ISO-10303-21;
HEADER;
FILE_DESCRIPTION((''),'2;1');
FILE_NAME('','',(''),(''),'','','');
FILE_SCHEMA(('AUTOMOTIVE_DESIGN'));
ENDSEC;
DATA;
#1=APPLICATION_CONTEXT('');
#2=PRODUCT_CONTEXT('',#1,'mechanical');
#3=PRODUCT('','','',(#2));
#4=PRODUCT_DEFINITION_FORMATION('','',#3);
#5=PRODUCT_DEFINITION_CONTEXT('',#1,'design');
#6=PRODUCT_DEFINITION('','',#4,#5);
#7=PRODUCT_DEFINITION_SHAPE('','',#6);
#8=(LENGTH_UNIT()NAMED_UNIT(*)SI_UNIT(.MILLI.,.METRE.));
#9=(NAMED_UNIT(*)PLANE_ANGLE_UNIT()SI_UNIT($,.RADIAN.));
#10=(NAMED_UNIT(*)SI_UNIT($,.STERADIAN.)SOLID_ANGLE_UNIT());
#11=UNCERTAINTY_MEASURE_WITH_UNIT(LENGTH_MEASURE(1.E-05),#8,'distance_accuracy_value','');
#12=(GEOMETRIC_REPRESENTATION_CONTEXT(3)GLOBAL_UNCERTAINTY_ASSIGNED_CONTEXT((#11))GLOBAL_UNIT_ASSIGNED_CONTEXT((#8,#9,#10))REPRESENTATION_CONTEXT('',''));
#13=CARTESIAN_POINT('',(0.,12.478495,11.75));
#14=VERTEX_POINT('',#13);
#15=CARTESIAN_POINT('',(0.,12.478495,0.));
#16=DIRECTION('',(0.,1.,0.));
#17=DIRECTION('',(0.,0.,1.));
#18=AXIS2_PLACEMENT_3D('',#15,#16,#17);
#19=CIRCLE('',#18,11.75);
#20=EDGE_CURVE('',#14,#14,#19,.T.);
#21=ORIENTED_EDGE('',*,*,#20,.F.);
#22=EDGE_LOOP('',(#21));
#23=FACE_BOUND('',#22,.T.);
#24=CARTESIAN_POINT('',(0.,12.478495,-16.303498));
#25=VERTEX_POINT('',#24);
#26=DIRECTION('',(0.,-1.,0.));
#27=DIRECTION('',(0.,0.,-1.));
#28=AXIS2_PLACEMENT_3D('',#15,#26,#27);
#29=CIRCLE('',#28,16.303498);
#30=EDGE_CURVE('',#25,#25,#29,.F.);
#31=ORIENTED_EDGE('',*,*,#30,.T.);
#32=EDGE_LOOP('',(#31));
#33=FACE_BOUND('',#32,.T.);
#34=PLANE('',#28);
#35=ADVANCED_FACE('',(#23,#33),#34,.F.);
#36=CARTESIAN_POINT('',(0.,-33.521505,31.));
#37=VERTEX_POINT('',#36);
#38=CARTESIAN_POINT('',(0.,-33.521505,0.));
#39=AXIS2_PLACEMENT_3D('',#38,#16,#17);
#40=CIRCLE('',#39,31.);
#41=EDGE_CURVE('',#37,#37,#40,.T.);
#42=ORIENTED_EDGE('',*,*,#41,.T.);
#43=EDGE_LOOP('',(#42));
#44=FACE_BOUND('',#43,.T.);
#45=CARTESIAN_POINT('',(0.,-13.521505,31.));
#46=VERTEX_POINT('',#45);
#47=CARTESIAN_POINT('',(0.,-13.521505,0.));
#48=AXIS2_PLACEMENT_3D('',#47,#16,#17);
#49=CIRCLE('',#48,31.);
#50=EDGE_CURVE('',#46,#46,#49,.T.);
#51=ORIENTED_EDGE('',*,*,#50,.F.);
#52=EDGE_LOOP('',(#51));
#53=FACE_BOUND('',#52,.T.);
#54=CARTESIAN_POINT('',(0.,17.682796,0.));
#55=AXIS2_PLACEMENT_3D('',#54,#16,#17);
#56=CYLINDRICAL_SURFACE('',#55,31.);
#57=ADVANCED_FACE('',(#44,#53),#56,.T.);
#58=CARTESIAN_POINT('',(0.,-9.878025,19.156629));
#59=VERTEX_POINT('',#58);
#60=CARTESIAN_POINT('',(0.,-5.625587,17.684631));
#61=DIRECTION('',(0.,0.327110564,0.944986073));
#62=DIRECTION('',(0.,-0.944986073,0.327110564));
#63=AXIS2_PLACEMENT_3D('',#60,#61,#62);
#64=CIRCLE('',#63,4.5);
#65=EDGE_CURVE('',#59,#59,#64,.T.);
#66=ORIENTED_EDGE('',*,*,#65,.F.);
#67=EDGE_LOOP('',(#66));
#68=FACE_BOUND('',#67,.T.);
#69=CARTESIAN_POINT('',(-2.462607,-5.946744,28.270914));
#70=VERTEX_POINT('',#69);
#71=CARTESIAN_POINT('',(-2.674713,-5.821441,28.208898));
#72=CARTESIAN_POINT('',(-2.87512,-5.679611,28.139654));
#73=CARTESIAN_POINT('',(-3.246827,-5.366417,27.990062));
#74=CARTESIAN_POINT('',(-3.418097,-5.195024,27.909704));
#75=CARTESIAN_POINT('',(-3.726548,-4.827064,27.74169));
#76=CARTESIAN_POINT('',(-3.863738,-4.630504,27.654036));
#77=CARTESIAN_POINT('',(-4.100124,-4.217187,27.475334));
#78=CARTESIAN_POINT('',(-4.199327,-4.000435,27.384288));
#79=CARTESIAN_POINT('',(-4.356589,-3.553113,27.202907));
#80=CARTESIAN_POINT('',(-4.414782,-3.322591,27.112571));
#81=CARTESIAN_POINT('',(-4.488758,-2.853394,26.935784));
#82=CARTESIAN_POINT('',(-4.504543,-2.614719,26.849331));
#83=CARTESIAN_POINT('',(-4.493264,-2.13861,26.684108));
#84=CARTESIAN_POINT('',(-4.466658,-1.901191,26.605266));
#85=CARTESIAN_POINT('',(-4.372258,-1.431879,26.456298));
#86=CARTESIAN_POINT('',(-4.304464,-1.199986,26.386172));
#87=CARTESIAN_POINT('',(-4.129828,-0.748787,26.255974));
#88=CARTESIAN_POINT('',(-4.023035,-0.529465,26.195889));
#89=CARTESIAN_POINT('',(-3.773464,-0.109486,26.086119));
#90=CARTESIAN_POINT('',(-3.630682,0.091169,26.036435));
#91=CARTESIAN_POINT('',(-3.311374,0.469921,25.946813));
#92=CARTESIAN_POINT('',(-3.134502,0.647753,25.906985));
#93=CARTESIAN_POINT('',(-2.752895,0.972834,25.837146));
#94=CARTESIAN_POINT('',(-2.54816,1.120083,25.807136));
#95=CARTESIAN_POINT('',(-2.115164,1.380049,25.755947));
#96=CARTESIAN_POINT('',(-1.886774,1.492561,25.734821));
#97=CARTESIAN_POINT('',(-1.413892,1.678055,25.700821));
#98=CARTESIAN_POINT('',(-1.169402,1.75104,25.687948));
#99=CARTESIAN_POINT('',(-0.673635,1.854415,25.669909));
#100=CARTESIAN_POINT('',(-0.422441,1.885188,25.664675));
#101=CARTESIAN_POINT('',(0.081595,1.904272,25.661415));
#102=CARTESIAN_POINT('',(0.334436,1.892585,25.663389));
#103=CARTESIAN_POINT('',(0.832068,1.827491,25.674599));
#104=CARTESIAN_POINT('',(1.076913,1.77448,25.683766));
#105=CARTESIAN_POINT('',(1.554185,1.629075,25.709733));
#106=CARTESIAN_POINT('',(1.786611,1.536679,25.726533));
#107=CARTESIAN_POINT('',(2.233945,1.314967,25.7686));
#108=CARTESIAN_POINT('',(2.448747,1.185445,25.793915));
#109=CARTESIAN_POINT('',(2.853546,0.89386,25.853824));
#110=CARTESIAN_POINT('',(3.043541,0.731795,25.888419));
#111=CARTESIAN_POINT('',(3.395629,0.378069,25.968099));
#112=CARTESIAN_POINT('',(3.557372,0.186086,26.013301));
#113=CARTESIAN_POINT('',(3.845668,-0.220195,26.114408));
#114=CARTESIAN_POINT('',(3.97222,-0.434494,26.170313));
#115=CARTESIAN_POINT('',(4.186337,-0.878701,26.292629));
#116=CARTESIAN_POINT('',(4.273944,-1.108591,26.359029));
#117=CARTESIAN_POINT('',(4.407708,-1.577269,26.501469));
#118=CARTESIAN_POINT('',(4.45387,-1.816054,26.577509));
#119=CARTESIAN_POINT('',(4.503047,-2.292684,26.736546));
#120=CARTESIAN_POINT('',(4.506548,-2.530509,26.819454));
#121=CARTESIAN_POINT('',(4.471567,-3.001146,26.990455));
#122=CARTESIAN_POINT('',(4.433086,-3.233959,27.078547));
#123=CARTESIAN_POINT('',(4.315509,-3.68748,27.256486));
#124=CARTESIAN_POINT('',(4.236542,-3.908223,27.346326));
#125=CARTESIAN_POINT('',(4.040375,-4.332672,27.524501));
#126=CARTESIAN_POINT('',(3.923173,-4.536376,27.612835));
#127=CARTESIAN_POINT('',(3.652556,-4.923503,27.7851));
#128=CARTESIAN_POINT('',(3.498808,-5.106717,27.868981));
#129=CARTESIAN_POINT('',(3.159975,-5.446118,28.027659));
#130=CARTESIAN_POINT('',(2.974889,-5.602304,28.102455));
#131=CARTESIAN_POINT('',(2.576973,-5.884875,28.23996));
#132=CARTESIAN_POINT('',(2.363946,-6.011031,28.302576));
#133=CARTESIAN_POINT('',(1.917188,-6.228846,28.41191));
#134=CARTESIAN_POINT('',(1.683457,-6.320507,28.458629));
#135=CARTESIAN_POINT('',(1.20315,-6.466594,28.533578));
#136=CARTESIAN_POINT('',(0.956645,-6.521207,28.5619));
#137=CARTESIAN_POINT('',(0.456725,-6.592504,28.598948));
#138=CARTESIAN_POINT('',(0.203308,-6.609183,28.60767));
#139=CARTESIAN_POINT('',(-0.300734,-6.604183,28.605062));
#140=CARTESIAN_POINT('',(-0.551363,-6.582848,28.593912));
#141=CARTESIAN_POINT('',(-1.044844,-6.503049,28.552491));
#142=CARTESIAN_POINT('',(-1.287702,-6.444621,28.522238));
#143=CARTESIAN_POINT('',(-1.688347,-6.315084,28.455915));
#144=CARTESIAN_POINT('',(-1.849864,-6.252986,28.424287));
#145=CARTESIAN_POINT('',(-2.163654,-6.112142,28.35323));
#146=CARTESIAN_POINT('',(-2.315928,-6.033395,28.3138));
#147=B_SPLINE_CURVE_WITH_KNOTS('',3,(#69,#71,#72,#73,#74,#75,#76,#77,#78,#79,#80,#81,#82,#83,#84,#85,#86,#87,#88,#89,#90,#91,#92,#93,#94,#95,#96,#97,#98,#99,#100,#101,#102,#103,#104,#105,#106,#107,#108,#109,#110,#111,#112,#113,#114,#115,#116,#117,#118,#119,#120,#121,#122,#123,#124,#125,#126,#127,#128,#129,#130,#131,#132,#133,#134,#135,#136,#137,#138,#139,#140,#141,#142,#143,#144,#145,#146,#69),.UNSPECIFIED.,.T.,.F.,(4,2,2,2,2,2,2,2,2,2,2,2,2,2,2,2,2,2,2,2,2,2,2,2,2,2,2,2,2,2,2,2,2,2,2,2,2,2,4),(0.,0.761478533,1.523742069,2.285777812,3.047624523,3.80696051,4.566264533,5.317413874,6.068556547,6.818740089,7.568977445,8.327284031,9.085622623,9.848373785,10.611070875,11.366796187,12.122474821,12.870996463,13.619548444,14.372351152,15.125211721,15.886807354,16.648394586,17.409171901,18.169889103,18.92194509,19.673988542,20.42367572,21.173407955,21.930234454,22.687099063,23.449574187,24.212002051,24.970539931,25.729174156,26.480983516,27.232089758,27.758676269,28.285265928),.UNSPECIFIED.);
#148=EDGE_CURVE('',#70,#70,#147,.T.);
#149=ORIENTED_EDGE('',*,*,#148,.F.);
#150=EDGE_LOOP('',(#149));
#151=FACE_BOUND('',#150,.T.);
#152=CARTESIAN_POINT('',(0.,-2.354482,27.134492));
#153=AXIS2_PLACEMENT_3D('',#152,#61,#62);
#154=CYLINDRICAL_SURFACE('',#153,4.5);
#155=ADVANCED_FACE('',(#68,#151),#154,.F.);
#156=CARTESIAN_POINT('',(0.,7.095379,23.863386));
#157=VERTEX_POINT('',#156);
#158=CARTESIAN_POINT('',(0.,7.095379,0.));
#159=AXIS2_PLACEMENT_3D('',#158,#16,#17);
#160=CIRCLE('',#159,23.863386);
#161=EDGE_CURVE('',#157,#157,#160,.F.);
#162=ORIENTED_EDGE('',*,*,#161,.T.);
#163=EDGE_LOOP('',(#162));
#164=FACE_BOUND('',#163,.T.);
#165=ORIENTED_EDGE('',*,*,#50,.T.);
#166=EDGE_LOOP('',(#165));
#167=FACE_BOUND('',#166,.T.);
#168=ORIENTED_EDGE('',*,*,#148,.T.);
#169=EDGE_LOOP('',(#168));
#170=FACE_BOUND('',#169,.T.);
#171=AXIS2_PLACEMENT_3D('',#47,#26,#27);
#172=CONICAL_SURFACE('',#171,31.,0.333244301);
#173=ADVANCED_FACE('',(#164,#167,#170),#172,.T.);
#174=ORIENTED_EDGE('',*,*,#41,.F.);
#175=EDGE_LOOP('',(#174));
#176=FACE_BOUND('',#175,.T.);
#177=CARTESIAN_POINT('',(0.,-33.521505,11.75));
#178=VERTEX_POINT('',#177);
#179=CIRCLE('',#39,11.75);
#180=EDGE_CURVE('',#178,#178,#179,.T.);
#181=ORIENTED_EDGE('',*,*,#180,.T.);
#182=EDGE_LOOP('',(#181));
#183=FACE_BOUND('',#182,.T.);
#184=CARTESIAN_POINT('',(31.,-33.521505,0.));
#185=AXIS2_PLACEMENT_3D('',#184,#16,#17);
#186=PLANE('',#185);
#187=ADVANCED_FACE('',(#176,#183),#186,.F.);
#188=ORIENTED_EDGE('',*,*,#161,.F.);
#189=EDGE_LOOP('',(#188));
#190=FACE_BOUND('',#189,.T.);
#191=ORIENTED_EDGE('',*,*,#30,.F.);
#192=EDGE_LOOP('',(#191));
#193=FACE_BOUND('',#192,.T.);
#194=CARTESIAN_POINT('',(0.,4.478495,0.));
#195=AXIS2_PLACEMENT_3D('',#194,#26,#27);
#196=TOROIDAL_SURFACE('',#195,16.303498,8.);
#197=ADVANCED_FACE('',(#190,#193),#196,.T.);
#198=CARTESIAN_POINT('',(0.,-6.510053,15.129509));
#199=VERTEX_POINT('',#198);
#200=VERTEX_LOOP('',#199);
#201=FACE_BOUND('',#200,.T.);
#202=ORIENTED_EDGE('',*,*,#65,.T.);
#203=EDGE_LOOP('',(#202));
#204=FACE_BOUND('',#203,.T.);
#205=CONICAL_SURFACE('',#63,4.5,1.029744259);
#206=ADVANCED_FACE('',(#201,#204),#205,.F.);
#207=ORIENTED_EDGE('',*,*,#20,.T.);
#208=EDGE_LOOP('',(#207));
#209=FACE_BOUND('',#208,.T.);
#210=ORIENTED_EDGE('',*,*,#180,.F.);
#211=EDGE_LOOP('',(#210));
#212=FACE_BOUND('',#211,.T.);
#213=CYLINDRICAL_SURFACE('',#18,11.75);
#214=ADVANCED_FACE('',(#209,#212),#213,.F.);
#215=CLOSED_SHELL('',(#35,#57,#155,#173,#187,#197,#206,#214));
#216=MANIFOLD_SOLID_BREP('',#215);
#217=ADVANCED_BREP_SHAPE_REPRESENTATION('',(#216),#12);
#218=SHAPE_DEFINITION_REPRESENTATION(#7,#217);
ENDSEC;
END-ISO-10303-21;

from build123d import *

# Parameters (mm, degrees)
M25X1_5_TAPPED_HOLE2_D     = 23.5
FILLET1_R                  = 8
M10X1_0_TAPPED_HOLE1_D     = 9
M10X1_0_TAPPED_HOLE1_DEPTH = 10
M10X1_0_TAPPED_HOLE1_TIP   = 2.703872786


with BuildPart() as part:
    # Sketch1 → Revolve1 (revolve)
    with BuildSketch(Plane.XY, mode=Mode.PRIVATE) as revolve1_sk:
        Polygon((0, 12.478494624), (22, 12.478494624), (31, -13.521505376), (31, -33.521505376), (0, -33.521505376), align=None)
    revolve(revolve1_sk.sketch.rotate(Axis((0, 17.682795699, 0), (0, -1, 0)), 90), axis=Axis((0, 17.682795699, 0), (0, -1, 0)))

    # M25x1.5 Tapped Hole2 (through all)
    with Locations(Plane(origin=(0, 12.478494624, 0), x_dir=(1, 0, 0), z_dir=(0, 1, 0))):
        with Locations((0, 0)):
            Hole(M25X1_5_TAPPED_HOLE2_D / 2)

    # Fillet1
    fillet1_edges = [part.edges().sort_by_distance(p)[0] for p in [
        (0, 12.478494624, -22),
    ]]
    fillet(fillet1_edges, radius=FILLET1_R)

    # M10x1.0 Tapped Hole1
    with Locations(Plane(origin=(0, 8.13574381, 23.503259897), x_dir=(1, 0, 0), z_dir=(0, 0.32711056388316645, 0.9449860734402581))):
        with Locations((0, -11.100931225)):
            Hole(M10X1_0_TAPPED_HOLE1_D / 2, depth=M10X1_0_TAPPED_HOLE1_DEPTH)
            with Locations((0, 0, -(M10X1_0_TAPPED_HOLE1_DEPTH + M10X1_0_TAPPED_HOLE1_TIP / 2))):  # 118° drill point
                Cone(0, M10X1_0_TAPPED_HOLE1_D / 2, M10X1_0_TAPPED_HOLE1_TIP, mode=Mode.SUBTRACT)


solid = part.part
